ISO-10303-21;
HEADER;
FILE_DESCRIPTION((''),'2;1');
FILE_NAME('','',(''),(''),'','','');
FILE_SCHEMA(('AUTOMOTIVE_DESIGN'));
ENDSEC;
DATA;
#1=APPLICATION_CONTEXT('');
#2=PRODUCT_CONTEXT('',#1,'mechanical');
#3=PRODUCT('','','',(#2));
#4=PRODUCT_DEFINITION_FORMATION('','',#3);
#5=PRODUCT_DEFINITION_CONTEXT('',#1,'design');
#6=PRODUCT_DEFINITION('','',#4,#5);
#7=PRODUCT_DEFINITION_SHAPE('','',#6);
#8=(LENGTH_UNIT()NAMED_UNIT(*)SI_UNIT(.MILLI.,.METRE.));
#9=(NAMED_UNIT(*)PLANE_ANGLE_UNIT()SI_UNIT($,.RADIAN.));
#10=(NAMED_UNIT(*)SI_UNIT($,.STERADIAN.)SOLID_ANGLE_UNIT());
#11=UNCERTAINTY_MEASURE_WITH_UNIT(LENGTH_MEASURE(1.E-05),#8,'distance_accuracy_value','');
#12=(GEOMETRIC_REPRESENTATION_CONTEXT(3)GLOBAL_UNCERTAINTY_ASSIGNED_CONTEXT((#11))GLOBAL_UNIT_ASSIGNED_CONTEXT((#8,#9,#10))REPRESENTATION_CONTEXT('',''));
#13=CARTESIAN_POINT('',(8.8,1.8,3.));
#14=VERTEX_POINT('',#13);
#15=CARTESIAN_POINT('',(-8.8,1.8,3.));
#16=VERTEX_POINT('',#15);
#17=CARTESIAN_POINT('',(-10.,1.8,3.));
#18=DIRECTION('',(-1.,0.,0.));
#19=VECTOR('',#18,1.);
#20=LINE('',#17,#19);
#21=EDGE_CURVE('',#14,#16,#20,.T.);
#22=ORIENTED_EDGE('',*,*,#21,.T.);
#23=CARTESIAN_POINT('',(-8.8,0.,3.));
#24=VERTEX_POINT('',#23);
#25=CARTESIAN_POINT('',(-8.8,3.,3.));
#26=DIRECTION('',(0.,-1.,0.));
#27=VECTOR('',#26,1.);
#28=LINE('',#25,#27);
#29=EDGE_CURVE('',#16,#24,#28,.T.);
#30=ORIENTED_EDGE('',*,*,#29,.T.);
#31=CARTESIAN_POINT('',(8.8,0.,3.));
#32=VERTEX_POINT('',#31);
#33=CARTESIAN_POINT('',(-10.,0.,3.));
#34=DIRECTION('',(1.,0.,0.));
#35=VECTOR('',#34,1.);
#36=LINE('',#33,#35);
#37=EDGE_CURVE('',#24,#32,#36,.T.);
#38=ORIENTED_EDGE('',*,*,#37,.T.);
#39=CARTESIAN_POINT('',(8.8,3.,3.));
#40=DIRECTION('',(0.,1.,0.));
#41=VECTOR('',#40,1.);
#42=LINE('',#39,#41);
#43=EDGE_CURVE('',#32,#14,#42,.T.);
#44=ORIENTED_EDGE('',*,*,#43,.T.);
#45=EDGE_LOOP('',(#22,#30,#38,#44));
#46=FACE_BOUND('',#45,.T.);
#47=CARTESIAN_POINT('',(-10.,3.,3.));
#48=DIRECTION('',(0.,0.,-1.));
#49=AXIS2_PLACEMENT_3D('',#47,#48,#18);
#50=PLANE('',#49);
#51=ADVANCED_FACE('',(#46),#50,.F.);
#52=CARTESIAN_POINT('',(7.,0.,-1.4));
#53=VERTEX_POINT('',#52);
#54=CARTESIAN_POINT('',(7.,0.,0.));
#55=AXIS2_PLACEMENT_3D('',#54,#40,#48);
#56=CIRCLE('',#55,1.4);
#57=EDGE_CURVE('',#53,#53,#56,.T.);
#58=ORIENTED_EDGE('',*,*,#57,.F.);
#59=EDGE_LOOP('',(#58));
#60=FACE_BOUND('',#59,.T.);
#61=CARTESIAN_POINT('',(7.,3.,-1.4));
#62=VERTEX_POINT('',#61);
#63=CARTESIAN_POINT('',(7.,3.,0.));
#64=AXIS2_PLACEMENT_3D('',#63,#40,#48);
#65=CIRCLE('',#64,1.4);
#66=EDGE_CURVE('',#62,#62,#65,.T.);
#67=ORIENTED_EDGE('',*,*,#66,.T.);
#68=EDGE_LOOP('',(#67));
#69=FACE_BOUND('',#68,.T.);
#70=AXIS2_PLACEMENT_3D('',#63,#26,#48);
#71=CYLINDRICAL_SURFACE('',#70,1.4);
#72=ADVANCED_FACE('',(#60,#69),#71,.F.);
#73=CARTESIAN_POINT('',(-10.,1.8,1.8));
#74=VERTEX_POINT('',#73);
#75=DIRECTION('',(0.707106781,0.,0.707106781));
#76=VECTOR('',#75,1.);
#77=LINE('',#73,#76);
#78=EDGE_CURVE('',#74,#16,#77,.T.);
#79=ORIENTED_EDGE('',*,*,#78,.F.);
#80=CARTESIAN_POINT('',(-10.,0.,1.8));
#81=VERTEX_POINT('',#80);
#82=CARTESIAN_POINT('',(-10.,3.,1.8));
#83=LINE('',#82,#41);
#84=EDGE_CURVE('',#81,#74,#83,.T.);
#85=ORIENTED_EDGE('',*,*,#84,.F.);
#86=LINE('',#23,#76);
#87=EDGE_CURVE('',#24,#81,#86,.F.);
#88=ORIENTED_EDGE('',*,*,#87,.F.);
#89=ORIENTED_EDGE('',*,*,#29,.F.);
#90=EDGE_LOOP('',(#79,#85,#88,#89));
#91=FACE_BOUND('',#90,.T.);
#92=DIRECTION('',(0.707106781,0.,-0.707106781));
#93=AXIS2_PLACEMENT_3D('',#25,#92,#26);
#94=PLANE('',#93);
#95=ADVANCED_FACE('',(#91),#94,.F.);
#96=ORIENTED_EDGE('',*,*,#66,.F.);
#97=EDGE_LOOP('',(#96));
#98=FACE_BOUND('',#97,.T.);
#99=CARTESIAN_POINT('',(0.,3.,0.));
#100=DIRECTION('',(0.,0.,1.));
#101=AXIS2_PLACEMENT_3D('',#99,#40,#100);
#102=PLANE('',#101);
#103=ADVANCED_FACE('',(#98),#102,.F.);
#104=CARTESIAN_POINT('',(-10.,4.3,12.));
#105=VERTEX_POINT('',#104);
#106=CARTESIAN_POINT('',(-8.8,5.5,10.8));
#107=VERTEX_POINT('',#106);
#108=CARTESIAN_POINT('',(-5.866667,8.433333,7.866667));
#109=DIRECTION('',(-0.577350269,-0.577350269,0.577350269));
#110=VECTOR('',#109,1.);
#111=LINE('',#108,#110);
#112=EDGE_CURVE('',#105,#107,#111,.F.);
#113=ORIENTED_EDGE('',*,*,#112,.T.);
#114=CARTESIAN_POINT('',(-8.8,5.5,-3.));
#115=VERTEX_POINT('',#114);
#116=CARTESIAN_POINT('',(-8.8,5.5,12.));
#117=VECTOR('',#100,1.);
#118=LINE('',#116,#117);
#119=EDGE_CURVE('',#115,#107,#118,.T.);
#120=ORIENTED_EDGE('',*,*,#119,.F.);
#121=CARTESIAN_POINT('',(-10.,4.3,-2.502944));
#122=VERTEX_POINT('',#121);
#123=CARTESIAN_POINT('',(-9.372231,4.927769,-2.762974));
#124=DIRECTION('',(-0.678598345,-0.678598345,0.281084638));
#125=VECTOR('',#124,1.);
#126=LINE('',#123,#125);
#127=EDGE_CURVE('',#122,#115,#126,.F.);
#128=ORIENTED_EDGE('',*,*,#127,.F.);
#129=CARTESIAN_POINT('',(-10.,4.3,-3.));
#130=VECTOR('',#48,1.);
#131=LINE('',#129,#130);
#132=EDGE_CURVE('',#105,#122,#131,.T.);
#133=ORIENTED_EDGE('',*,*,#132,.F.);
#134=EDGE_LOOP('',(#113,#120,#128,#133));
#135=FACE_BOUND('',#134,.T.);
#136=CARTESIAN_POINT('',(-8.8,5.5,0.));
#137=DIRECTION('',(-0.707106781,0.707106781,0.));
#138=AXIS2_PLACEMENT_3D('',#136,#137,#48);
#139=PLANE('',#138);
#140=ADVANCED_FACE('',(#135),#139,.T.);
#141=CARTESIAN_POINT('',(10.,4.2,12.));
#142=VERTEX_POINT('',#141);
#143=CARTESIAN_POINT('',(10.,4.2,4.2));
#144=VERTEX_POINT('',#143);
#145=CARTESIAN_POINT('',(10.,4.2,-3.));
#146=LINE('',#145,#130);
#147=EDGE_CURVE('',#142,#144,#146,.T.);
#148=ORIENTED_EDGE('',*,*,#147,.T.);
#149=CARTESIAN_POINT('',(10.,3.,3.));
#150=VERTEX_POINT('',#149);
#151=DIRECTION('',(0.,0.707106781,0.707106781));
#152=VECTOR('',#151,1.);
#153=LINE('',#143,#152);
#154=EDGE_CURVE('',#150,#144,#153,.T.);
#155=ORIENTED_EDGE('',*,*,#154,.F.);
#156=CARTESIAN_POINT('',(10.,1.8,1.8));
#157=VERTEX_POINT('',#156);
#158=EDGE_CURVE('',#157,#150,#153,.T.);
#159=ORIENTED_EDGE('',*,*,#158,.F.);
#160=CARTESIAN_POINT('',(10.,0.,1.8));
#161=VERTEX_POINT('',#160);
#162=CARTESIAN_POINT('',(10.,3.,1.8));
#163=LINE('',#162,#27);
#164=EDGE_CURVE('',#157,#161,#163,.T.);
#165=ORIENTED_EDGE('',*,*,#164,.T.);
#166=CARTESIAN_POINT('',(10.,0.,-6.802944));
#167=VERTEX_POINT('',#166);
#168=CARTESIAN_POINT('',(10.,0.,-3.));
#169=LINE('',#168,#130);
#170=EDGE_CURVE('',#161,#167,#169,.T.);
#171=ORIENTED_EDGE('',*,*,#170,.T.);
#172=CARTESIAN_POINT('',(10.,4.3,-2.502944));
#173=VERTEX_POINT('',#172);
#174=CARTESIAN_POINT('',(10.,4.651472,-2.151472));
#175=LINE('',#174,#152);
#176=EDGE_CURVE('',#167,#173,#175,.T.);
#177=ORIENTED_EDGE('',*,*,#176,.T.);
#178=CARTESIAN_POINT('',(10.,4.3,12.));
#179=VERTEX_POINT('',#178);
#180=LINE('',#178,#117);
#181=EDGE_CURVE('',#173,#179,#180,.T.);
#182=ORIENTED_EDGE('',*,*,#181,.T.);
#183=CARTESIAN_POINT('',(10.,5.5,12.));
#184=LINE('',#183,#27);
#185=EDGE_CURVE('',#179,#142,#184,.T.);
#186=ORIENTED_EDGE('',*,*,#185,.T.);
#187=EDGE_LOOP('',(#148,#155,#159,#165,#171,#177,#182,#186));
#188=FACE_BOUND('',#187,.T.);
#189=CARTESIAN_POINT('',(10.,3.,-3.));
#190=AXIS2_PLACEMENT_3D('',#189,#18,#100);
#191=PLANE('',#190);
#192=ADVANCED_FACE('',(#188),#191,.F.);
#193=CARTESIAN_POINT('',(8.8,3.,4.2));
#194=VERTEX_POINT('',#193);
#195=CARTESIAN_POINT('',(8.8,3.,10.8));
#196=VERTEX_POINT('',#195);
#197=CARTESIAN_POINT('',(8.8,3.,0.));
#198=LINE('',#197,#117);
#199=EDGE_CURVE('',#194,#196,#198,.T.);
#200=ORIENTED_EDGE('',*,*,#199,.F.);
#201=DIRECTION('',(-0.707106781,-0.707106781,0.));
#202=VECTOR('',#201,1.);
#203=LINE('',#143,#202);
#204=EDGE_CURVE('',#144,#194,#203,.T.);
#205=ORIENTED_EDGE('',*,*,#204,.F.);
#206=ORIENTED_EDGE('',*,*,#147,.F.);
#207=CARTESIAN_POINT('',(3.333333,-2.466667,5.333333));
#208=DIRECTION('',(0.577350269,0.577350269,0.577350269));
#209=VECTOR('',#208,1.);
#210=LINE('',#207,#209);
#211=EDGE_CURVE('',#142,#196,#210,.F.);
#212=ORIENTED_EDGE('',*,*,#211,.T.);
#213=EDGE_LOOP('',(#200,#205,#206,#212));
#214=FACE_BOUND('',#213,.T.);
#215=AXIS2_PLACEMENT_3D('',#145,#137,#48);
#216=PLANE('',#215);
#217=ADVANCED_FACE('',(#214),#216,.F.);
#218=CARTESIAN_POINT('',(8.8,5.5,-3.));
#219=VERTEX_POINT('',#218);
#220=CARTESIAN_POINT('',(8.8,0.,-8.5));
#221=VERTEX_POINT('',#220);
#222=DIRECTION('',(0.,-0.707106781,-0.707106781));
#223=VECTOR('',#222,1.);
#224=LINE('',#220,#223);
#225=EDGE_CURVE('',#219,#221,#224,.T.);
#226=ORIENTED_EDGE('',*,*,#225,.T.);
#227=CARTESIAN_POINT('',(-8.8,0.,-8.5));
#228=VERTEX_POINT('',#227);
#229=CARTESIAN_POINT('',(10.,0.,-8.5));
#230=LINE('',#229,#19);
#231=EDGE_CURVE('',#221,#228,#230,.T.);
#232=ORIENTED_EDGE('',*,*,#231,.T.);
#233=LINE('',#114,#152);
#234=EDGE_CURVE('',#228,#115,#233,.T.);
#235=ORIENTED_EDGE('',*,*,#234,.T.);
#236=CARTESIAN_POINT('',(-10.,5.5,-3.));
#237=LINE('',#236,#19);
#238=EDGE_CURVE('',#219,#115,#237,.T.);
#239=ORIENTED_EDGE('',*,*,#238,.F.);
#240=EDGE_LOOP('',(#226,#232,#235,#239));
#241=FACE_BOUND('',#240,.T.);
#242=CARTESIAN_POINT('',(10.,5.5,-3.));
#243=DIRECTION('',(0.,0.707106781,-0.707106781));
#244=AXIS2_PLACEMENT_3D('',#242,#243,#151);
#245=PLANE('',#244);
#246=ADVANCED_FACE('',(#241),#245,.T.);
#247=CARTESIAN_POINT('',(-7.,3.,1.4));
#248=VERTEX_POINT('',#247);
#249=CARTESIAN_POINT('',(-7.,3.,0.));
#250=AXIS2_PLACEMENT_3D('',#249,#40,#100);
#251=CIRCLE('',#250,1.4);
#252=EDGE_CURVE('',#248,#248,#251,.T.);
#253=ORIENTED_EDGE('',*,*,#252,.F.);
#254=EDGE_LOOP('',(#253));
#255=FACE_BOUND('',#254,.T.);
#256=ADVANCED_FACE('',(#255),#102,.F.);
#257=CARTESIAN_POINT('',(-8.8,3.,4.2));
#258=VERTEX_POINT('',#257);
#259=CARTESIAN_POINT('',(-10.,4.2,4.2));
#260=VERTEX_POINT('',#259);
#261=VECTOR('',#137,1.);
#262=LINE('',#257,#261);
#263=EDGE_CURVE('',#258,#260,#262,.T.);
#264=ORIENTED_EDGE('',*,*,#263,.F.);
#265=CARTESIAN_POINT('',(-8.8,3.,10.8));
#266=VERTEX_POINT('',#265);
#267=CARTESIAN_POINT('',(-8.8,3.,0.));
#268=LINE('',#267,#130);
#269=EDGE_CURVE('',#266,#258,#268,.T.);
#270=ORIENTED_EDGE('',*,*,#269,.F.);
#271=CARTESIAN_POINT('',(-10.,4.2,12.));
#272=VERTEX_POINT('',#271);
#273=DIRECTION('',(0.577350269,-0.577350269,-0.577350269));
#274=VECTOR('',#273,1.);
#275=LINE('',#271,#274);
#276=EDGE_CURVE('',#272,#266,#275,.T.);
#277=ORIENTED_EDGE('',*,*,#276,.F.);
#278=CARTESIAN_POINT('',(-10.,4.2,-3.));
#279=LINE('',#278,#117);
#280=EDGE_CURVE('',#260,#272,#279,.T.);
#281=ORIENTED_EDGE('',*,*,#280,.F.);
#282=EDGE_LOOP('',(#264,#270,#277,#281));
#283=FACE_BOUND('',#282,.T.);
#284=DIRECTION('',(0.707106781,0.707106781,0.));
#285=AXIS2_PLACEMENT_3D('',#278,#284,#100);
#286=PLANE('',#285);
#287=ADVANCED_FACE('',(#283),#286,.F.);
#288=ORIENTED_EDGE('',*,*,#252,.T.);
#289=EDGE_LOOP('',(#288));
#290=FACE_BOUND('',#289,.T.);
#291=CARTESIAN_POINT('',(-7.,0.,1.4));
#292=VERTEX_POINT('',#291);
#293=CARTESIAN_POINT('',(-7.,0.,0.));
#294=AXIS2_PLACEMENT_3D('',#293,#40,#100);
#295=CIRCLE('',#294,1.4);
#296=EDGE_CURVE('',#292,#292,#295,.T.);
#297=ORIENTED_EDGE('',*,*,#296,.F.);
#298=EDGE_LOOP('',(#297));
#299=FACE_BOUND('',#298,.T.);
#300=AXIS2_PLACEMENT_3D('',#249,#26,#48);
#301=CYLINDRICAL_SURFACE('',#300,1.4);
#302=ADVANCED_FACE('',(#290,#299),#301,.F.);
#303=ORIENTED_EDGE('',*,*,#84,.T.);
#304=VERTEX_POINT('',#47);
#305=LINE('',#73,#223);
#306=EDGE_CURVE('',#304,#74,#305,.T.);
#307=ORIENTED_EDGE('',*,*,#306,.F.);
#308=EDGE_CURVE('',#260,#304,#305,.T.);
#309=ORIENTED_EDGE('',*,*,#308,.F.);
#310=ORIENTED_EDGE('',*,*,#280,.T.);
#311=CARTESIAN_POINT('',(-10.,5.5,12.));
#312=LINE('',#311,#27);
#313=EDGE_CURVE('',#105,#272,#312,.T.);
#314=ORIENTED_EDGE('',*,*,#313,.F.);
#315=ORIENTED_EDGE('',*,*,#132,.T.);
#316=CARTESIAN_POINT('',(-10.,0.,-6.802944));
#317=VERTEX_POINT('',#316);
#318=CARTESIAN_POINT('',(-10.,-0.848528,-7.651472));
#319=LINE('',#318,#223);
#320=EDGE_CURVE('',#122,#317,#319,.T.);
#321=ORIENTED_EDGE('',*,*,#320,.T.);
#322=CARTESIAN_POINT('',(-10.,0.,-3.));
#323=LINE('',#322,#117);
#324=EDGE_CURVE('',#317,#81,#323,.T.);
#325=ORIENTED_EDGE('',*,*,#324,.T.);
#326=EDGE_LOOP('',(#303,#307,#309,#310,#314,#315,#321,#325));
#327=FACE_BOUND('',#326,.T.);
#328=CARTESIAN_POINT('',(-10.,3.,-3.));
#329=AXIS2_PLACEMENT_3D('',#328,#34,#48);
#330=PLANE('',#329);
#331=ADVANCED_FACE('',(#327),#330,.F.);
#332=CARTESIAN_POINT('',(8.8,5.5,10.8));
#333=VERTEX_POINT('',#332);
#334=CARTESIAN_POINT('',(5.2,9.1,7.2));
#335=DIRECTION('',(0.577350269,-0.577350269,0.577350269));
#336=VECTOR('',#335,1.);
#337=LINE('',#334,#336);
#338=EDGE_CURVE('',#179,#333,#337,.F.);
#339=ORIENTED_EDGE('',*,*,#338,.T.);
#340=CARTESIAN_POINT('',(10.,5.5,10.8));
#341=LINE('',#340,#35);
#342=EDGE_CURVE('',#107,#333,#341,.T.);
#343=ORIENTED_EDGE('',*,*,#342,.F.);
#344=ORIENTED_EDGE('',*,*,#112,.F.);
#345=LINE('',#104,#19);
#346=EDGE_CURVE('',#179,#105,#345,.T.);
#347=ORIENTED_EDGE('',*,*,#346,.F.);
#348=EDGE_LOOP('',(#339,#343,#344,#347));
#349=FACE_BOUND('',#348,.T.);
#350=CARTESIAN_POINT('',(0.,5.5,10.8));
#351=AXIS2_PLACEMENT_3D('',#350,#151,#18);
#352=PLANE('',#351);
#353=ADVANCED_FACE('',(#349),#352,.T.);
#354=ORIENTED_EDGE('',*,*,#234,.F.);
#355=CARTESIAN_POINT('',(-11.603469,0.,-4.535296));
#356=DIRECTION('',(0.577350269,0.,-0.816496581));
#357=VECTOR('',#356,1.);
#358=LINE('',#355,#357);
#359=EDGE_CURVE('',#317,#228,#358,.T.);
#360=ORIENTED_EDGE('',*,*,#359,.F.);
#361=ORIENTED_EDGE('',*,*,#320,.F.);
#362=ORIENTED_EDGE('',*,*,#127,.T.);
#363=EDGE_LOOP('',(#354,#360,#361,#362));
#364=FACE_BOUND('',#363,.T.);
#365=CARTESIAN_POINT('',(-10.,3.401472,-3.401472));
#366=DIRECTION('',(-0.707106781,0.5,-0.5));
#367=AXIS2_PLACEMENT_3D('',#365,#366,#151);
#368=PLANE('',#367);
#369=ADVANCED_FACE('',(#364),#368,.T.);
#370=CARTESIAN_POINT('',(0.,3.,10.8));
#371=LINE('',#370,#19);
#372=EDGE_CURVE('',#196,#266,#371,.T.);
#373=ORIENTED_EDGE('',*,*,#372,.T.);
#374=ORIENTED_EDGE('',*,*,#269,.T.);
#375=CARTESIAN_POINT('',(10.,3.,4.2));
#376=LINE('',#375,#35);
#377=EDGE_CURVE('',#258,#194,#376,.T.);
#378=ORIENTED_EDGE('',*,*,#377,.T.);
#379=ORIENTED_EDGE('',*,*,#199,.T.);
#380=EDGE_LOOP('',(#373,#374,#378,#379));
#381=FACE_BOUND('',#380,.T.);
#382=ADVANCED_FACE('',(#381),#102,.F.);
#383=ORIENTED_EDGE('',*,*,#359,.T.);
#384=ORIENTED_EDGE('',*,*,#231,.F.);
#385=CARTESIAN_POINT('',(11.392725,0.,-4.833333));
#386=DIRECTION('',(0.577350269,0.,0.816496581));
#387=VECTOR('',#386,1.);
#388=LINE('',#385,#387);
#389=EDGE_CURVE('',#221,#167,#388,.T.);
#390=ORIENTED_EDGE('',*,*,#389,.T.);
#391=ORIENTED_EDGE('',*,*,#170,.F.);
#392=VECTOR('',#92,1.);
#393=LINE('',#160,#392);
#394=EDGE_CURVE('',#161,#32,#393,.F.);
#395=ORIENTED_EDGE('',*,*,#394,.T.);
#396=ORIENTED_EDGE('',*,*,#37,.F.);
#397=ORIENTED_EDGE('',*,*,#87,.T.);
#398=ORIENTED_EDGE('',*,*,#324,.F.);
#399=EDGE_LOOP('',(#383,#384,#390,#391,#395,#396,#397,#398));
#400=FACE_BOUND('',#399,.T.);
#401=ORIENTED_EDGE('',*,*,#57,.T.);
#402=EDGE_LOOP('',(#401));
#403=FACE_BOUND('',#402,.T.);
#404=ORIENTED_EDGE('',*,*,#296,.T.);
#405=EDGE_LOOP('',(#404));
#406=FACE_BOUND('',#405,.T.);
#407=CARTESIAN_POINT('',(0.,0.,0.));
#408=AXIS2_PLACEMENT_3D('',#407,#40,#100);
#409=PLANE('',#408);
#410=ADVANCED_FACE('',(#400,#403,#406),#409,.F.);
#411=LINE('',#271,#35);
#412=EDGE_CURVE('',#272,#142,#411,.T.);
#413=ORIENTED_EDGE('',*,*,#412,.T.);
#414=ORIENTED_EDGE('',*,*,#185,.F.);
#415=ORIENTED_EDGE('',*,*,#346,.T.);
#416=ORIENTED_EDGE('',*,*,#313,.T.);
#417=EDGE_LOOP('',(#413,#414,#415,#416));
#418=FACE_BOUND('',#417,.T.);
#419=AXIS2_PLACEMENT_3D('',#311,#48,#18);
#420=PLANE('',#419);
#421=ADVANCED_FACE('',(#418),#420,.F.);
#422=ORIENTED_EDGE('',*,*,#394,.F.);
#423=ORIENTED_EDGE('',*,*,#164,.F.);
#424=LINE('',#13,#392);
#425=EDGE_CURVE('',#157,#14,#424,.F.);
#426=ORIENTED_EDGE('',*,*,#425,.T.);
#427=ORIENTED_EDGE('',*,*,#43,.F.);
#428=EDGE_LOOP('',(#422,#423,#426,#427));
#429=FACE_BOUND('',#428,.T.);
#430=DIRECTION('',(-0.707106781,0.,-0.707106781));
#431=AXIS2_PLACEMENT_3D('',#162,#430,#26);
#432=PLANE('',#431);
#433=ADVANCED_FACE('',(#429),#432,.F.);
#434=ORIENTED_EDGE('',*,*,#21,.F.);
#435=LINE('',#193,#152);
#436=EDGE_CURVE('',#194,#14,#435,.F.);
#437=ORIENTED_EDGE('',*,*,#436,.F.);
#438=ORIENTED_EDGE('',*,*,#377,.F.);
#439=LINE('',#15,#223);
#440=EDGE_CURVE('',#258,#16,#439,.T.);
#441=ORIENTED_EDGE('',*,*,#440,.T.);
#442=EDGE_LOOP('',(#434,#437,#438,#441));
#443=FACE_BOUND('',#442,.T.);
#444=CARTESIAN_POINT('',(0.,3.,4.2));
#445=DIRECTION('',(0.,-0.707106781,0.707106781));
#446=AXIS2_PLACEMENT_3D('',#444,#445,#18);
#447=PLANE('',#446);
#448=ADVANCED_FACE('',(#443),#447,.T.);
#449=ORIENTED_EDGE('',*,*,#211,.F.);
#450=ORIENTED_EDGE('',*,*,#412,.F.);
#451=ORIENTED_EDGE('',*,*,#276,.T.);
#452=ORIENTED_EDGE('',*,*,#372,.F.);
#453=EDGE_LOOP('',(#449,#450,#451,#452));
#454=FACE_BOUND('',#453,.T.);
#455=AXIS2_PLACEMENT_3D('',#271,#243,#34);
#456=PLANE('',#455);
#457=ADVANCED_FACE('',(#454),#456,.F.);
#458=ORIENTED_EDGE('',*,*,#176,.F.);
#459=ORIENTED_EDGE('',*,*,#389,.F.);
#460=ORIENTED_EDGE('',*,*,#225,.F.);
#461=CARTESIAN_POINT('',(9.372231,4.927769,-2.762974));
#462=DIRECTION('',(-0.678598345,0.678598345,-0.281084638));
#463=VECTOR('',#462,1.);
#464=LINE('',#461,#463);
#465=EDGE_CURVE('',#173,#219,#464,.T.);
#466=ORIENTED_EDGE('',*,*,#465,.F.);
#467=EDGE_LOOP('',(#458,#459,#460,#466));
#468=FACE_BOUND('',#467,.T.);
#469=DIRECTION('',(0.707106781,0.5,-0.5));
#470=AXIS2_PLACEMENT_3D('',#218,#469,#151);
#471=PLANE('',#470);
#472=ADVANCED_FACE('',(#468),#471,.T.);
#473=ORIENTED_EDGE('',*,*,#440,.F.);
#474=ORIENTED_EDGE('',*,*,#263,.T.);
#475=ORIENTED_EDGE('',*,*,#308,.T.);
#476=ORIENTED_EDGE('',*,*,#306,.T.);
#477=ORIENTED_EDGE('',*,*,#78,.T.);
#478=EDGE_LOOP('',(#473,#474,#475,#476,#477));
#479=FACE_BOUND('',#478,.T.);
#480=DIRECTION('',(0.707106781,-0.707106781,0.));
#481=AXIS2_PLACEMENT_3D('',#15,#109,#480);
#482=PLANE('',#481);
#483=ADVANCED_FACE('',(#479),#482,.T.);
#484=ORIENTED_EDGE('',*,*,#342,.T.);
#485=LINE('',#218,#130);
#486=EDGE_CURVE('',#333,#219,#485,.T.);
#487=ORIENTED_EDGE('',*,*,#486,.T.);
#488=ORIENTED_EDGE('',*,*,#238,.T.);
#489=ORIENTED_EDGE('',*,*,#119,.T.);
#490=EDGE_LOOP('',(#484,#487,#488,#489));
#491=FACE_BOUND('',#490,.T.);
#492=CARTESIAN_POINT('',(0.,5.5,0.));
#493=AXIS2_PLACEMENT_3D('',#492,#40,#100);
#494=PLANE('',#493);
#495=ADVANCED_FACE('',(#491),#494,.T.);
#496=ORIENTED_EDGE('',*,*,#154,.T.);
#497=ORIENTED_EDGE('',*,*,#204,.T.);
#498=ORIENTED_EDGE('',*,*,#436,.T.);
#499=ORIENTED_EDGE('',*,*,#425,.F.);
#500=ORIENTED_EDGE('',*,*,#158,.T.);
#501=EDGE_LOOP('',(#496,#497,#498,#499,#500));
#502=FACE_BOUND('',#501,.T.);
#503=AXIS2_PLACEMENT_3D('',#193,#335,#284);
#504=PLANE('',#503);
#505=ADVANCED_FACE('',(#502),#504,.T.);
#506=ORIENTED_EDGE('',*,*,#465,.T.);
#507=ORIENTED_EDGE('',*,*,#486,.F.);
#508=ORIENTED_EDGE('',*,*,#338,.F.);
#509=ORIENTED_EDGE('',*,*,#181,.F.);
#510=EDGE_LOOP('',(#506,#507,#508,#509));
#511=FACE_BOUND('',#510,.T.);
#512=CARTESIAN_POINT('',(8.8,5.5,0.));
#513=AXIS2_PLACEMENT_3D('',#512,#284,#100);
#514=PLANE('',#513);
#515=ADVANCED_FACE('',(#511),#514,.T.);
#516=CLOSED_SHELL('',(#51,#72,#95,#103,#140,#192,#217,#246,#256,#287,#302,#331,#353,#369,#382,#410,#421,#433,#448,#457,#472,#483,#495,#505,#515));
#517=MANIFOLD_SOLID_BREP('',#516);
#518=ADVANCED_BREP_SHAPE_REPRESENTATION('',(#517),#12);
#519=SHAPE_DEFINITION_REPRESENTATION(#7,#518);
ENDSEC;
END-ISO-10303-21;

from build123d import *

# Parameters (mm, degrees)
SKETCH_1_W      = 20
SKETCH_1_H      = 6
SKETCH_1_R      = 1.4
EXTRUDE_1_DEPTH = 3
SKETCH_2_W      = 20
SKETCH_2_H      = 15
EXTRUDE_2_DEPTH = 2.5
EXTRUDE_3_DEPTH = 20
CHAMFER_1_SIZE  = 1.2


with BuildPart() as part:
    # 草图1 → 凸台-拉伸1 (new body)
    with BuildSketch(Plane(origin=(0, 0, 0), x_dir=(1, 0, 0), z_dir=(0, 1, 0))):
        Rectangle(SKETCH_1_W, SKETCH_1_H)
        with Locations((-7, 0)):
            Circle(SKETCH_1_R, mode=Mode.SUBTRACT)
        with Locations((7, 0)):
            Circle(SKETCH_1_R, mode=Mode.SUBTRACT)
    extrude(amount=EXTRUDE_1_DEPTH)

    # 草图2 → 凸台-拉伸2 (add)
    with BuildSketch(Plane(origin=(0, 3, 0), x_dir=(1, 0, 0), z_dir=(0, 1, 0))):
        with Locations((0, -4.5)):
            Rectangle(SKETCH_2_W, SKETCH_2_H)
    extrude(amount=EXTRUDE_2_DEPTH)

    # 草图3 → 凸台-拉伸3 (add)
    with BuildSketch(Plane.ZY.offset(10)):
        Polygon((-3, 5.5), (-8.5, 0), (-3, 0), align=None)
    extrude(amount=-EXTRUDE_3_DEPTH)

    # 倒角1
    chamfer_1_edges = [part.edges().sort_by_distance(p)[0] for p in [
        (0, 3, 3),
        (-10, 3, 7.5),
        (0, 3, 12),
        (10, 3, 7.5),
        (-10, 5.5, 4.5),
        (0, 5.5, 12),
        (10, 5.5, 4.5),
        (10, 2.75, -5.75),
        (-10, 2.75, -5.75),
        (10, 1.5, 3),
        (-10, 1.5, 3),
    ]]
    chamfer(chamfer_1_edges, length=CHAMFER_1_SIZE)


solid = part.part
